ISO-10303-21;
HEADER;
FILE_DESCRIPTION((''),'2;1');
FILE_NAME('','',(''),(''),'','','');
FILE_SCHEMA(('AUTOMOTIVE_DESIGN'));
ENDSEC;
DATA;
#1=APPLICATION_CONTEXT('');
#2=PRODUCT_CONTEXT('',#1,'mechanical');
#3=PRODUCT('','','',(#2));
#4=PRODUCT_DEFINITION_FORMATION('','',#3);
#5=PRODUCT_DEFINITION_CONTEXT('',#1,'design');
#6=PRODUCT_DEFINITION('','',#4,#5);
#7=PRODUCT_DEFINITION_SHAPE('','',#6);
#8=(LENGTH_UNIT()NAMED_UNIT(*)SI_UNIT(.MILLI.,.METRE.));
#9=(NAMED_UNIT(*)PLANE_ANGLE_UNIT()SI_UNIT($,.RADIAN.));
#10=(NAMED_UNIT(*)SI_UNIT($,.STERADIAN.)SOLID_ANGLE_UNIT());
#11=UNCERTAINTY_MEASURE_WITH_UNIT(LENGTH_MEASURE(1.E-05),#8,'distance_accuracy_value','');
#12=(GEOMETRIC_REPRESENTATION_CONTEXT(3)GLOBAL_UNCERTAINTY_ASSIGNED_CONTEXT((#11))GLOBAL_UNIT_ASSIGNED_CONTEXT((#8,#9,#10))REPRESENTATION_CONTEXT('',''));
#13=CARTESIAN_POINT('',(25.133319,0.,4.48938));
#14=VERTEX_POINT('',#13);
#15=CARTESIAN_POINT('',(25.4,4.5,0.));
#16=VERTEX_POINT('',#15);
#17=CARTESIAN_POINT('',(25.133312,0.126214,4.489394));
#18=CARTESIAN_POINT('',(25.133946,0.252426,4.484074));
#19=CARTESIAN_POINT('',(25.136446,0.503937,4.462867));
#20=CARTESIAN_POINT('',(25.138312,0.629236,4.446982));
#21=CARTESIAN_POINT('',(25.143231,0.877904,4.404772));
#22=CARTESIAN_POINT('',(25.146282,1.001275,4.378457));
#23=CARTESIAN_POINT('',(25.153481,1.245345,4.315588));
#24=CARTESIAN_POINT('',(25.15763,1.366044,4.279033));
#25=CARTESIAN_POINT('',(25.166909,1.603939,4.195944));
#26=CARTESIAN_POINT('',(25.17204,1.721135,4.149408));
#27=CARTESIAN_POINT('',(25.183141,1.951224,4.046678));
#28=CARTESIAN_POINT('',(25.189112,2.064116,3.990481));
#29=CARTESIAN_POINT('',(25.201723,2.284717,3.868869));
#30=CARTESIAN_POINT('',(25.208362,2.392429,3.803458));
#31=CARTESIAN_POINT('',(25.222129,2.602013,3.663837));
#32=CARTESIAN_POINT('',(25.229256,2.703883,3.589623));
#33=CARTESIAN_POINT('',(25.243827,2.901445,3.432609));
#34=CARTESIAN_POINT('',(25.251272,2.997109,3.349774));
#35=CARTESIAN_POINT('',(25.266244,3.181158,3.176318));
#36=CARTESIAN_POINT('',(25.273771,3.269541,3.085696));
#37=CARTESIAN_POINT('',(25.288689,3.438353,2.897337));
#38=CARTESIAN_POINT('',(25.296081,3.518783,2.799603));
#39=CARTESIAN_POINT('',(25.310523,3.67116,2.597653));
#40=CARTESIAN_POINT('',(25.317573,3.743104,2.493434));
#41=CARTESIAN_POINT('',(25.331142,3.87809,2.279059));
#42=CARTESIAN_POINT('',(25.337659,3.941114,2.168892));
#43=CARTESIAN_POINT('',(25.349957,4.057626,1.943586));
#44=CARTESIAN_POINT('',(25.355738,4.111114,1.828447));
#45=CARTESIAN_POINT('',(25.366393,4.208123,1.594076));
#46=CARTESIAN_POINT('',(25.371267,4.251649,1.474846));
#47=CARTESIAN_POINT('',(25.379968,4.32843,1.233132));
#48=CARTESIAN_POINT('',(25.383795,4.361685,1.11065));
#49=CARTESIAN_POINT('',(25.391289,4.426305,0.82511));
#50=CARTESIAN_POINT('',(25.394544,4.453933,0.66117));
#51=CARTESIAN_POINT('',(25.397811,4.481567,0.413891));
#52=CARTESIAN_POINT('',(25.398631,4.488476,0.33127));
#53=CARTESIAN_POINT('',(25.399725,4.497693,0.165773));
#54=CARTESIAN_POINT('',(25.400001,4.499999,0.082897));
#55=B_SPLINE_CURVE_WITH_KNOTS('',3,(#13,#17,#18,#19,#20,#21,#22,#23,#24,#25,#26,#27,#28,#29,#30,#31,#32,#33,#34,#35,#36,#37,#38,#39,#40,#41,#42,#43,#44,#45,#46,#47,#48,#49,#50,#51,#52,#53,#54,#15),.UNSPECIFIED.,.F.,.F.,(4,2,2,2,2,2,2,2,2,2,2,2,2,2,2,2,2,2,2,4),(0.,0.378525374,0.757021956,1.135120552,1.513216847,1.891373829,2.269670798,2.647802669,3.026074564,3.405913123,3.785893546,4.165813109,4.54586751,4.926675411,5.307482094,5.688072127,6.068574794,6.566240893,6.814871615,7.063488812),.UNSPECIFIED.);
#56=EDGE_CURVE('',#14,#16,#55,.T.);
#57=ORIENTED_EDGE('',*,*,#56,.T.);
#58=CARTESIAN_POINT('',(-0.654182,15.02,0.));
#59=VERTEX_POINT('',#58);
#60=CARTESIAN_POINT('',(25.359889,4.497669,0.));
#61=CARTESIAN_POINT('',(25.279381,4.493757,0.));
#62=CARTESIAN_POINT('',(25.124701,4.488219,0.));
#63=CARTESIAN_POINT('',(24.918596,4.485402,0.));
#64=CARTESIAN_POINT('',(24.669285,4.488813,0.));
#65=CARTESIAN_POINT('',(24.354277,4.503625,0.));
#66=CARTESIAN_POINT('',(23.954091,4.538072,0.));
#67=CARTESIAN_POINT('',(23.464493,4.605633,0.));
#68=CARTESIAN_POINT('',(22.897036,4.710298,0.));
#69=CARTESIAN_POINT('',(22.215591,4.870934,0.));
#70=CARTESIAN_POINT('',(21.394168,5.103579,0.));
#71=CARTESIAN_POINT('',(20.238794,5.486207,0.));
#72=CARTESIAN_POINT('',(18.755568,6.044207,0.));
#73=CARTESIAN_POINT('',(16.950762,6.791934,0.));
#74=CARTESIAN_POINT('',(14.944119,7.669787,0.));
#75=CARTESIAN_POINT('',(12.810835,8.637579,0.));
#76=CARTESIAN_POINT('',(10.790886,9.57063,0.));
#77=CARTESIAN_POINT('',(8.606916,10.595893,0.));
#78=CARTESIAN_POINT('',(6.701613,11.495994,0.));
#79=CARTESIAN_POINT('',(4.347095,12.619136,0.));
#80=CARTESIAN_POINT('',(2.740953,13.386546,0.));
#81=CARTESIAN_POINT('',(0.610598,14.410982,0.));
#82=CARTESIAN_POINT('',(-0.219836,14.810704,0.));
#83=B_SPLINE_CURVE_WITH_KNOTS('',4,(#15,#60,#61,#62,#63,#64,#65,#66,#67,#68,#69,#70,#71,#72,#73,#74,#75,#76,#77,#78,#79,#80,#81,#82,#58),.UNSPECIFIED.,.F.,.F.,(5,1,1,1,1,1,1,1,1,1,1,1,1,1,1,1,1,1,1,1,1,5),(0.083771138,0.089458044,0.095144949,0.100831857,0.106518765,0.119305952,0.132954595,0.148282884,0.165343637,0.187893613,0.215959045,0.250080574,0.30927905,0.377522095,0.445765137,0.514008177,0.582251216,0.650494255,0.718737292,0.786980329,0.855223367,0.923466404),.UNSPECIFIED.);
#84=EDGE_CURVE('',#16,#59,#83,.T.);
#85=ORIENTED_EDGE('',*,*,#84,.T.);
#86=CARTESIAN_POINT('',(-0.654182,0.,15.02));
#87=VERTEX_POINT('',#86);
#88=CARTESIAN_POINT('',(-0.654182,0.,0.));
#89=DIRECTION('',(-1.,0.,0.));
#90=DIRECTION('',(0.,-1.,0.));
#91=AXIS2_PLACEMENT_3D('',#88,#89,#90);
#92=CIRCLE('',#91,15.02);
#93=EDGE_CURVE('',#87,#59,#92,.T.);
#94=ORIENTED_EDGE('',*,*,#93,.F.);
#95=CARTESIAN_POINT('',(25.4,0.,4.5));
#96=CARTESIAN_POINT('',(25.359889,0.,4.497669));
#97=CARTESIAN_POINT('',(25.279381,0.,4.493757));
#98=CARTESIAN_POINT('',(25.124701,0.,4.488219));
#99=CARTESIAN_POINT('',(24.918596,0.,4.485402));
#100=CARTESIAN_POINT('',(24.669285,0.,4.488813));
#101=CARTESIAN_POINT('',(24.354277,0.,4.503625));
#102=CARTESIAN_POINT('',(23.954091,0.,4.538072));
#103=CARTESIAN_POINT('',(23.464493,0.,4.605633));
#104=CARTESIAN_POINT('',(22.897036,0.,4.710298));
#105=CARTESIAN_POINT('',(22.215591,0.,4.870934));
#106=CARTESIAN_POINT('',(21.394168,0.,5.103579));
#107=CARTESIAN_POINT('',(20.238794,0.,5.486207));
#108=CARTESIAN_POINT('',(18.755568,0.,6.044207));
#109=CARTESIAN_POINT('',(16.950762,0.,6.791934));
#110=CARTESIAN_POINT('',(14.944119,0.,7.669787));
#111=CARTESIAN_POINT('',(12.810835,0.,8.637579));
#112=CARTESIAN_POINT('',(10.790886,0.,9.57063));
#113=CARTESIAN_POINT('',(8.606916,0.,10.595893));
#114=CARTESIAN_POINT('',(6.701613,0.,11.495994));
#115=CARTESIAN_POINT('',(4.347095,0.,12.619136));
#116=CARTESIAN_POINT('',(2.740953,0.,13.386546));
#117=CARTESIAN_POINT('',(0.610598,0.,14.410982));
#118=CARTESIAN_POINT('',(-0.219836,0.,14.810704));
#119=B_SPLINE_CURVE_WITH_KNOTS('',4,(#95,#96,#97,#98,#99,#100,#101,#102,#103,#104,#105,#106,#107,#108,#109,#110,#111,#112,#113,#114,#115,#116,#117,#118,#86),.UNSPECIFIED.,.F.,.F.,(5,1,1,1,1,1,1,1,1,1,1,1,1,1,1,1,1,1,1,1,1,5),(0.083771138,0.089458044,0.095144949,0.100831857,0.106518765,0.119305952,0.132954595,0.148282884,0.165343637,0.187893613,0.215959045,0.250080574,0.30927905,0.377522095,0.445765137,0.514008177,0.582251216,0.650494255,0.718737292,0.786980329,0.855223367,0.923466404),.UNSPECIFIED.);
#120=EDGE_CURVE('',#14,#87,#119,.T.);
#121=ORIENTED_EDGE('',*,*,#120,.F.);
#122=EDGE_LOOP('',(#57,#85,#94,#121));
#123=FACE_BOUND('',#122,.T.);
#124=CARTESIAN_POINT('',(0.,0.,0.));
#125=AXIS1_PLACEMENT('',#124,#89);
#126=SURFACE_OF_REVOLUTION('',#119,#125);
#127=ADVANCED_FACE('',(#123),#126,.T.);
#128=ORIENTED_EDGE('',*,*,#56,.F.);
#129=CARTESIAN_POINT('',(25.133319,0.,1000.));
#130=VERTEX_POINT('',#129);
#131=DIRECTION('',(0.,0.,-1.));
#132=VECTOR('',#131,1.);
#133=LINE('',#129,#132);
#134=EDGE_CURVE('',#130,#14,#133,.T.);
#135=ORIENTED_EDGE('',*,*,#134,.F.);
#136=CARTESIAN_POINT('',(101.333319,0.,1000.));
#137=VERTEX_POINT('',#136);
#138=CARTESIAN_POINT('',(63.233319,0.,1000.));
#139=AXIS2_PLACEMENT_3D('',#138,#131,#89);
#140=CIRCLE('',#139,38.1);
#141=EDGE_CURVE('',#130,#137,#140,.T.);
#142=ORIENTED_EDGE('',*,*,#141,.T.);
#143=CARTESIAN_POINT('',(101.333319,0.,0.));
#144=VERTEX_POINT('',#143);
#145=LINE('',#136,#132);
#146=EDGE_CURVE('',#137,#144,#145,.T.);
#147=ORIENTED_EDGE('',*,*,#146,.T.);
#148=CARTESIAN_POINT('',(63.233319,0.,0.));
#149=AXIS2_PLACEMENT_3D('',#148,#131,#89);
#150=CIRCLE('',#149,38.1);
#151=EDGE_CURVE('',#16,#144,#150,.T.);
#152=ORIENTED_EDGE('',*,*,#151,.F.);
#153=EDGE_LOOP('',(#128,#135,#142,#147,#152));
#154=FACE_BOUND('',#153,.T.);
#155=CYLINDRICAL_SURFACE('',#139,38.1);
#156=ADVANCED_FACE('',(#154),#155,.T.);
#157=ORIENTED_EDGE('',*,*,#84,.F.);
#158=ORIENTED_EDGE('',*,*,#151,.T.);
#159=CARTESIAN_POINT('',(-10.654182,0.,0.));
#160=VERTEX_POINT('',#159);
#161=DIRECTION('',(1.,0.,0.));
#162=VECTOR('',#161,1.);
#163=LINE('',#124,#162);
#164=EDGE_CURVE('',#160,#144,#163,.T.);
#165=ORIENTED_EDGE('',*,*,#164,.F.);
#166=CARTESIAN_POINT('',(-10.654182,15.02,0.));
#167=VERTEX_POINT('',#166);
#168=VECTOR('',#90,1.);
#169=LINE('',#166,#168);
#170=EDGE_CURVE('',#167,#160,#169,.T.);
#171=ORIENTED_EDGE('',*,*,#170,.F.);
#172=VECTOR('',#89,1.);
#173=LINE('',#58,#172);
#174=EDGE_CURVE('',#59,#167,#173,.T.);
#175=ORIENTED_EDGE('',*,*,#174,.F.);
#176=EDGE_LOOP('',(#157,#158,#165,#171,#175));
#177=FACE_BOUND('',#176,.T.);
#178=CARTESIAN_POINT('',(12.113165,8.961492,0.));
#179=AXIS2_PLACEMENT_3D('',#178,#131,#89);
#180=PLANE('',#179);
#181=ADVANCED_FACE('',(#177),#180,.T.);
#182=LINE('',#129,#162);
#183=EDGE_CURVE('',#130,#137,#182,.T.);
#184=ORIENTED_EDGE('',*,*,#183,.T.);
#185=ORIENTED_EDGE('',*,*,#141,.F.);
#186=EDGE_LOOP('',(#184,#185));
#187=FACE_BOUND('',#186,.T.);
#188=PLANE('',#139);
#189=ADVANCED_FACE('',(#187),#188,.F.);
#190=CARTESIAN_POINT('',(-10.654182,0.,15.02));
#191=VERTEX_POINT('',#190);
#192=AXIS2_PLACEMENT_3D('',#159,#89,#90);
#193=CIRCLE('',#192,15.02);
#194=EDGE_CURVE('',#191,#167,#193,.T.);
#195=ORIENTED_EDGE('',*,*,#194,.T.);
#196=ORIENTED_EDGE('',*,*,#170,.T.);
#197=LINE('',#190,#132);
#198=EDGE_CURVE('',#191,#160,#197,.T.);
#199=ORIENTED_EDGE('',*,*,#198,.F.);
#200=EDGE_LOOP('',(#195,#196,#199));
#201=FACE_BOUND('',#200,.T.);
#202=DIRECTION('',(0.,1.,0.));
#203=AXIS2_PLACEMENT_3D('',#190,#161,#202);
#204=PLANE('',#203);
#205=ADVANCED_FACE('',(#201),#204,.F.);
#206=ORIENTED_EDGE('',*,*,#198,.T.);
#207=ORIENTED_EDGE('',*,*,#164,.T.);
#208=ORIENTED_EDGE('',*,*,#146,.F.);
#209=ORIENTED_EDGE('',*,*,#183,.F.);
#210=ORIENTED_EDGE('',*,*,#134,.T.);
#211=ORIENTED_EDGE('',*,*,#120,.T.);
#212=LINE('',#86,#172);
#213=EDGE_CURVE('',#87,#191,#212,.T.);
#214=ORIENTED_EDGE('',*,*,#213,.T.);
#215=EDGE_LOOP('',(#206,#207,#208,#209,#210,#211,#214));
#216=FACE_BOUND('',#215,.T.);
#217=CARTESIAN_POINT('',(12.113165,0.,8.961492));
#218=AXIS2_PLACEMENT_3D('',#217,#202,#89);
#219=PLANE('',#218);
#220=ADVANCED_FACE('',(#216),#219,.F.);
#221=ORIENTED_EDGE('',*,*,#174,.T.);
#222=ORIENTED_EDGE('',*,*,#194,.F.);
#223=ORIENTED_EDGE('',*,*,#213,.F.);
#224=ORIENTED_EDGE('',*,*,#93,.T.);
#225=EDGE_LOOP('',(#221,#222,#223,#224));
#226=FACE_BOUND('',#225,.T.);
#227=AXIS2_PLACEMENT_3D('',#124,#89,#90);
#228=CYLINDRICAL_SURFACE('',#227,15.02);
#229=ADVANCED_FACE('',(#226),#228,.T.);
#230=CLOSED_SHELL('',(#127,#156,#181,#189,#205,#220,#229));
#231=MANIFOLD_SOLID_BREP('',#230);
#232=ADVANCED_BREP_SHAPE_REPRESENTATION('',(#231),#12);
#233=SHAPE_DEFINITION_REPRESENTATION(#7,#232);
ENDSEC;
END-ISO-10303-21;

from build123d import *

# Parameters (mm, degrees)
REVOLVE3_ANGLE      = 90
BOSS_EXTRUDE2_DEPTH = 1000


with BuildPart() as part:
    # Sketch2 → Revolve3 (revolve)
    with BuildSketch(Plane.XY):
        with BuildLine():
            Line((-0.654182434, 15.02), (-10.654182434, 15.02))
            Line((-10.654182434, 15.02), (-10.654182434, 0))
            Line((-10.654182434, 0), (0, 0))
            Line((0, 0), (25.4, 0))
            Line((25.4, 0), (35.4, 0))
            Line((35.4, 0), (35.4, 4.5))
            Line((35.4, 4.5), (25.4, 4.5))
            add(Edge.make_bspline(
                [(-0.654182434, 15.02), (-0.219836229, 14.810704372), (0.610598489, 14.410982375), (2.74095302, 13.386545583), (4.34709547, 12.619135975), (6.701613478, 11.49599419), (8.606916476, 10.59589253), (10.790885987, 9.570629713), (12.810835282, 8.63757915), (14.944119423, 7.669787097), (16.950761864, 6.79193378), (18.75556814, 6.044207346), (20.238794329, 5.486207444), (21.39416777, 5.103578745), (22.215591012, 4.870934478), (22.897035956, 4.710298297), (23.464492683, 4.605633048), (23.954091395, 4.538072471), (24.354277235, 4.503624983), (24.669284768, 4.488813447), (24.918595629, 4.485402054), (25.124701431, 4.488218611), (25.279381224, 4.493757229), (25.359889237, 4.497669109), (25.4, 4.5)],
                knots=[0.083771138, 0.083771138, 0.083771138, 0.083771138, 0.083771138, 0.152014176, 0.220257214, 0.288500251, 0.356743288, 0.424986327, 0.493229366, 0.561472406, 0.629715448, 0.697958493, 0.757156968, 0.791278497, 0.81934393, 0.841893906, 0.858954658, 0.874282948, 0.887931591, 0.900718778, 0.906405686, 0.912092593, 0.917779499, 0.923466404, 0.923466404, 0.923466404, 0.923466404, 0.923466404], degree=4))
        make_face()
    revolve(axis=Axis((0, 0, 0), (1, 0, 0)), revolution_arc=REVOLVE3_ANGLE)

    # Sketch11 → Boss-Extrude2 (add)
    with BuildSketch(Plane.XY):
        with BuildLine():
            Line((25.133318649, 0), (101.333318649, 0))
            ThreePointArc((101.333318649, 0), (63.233318649, 38.1), (25.133318649, 0))
        make_face()
    extrude(amount=BOSS_EXTRUDE2_DEPTH)


solid = part.part
